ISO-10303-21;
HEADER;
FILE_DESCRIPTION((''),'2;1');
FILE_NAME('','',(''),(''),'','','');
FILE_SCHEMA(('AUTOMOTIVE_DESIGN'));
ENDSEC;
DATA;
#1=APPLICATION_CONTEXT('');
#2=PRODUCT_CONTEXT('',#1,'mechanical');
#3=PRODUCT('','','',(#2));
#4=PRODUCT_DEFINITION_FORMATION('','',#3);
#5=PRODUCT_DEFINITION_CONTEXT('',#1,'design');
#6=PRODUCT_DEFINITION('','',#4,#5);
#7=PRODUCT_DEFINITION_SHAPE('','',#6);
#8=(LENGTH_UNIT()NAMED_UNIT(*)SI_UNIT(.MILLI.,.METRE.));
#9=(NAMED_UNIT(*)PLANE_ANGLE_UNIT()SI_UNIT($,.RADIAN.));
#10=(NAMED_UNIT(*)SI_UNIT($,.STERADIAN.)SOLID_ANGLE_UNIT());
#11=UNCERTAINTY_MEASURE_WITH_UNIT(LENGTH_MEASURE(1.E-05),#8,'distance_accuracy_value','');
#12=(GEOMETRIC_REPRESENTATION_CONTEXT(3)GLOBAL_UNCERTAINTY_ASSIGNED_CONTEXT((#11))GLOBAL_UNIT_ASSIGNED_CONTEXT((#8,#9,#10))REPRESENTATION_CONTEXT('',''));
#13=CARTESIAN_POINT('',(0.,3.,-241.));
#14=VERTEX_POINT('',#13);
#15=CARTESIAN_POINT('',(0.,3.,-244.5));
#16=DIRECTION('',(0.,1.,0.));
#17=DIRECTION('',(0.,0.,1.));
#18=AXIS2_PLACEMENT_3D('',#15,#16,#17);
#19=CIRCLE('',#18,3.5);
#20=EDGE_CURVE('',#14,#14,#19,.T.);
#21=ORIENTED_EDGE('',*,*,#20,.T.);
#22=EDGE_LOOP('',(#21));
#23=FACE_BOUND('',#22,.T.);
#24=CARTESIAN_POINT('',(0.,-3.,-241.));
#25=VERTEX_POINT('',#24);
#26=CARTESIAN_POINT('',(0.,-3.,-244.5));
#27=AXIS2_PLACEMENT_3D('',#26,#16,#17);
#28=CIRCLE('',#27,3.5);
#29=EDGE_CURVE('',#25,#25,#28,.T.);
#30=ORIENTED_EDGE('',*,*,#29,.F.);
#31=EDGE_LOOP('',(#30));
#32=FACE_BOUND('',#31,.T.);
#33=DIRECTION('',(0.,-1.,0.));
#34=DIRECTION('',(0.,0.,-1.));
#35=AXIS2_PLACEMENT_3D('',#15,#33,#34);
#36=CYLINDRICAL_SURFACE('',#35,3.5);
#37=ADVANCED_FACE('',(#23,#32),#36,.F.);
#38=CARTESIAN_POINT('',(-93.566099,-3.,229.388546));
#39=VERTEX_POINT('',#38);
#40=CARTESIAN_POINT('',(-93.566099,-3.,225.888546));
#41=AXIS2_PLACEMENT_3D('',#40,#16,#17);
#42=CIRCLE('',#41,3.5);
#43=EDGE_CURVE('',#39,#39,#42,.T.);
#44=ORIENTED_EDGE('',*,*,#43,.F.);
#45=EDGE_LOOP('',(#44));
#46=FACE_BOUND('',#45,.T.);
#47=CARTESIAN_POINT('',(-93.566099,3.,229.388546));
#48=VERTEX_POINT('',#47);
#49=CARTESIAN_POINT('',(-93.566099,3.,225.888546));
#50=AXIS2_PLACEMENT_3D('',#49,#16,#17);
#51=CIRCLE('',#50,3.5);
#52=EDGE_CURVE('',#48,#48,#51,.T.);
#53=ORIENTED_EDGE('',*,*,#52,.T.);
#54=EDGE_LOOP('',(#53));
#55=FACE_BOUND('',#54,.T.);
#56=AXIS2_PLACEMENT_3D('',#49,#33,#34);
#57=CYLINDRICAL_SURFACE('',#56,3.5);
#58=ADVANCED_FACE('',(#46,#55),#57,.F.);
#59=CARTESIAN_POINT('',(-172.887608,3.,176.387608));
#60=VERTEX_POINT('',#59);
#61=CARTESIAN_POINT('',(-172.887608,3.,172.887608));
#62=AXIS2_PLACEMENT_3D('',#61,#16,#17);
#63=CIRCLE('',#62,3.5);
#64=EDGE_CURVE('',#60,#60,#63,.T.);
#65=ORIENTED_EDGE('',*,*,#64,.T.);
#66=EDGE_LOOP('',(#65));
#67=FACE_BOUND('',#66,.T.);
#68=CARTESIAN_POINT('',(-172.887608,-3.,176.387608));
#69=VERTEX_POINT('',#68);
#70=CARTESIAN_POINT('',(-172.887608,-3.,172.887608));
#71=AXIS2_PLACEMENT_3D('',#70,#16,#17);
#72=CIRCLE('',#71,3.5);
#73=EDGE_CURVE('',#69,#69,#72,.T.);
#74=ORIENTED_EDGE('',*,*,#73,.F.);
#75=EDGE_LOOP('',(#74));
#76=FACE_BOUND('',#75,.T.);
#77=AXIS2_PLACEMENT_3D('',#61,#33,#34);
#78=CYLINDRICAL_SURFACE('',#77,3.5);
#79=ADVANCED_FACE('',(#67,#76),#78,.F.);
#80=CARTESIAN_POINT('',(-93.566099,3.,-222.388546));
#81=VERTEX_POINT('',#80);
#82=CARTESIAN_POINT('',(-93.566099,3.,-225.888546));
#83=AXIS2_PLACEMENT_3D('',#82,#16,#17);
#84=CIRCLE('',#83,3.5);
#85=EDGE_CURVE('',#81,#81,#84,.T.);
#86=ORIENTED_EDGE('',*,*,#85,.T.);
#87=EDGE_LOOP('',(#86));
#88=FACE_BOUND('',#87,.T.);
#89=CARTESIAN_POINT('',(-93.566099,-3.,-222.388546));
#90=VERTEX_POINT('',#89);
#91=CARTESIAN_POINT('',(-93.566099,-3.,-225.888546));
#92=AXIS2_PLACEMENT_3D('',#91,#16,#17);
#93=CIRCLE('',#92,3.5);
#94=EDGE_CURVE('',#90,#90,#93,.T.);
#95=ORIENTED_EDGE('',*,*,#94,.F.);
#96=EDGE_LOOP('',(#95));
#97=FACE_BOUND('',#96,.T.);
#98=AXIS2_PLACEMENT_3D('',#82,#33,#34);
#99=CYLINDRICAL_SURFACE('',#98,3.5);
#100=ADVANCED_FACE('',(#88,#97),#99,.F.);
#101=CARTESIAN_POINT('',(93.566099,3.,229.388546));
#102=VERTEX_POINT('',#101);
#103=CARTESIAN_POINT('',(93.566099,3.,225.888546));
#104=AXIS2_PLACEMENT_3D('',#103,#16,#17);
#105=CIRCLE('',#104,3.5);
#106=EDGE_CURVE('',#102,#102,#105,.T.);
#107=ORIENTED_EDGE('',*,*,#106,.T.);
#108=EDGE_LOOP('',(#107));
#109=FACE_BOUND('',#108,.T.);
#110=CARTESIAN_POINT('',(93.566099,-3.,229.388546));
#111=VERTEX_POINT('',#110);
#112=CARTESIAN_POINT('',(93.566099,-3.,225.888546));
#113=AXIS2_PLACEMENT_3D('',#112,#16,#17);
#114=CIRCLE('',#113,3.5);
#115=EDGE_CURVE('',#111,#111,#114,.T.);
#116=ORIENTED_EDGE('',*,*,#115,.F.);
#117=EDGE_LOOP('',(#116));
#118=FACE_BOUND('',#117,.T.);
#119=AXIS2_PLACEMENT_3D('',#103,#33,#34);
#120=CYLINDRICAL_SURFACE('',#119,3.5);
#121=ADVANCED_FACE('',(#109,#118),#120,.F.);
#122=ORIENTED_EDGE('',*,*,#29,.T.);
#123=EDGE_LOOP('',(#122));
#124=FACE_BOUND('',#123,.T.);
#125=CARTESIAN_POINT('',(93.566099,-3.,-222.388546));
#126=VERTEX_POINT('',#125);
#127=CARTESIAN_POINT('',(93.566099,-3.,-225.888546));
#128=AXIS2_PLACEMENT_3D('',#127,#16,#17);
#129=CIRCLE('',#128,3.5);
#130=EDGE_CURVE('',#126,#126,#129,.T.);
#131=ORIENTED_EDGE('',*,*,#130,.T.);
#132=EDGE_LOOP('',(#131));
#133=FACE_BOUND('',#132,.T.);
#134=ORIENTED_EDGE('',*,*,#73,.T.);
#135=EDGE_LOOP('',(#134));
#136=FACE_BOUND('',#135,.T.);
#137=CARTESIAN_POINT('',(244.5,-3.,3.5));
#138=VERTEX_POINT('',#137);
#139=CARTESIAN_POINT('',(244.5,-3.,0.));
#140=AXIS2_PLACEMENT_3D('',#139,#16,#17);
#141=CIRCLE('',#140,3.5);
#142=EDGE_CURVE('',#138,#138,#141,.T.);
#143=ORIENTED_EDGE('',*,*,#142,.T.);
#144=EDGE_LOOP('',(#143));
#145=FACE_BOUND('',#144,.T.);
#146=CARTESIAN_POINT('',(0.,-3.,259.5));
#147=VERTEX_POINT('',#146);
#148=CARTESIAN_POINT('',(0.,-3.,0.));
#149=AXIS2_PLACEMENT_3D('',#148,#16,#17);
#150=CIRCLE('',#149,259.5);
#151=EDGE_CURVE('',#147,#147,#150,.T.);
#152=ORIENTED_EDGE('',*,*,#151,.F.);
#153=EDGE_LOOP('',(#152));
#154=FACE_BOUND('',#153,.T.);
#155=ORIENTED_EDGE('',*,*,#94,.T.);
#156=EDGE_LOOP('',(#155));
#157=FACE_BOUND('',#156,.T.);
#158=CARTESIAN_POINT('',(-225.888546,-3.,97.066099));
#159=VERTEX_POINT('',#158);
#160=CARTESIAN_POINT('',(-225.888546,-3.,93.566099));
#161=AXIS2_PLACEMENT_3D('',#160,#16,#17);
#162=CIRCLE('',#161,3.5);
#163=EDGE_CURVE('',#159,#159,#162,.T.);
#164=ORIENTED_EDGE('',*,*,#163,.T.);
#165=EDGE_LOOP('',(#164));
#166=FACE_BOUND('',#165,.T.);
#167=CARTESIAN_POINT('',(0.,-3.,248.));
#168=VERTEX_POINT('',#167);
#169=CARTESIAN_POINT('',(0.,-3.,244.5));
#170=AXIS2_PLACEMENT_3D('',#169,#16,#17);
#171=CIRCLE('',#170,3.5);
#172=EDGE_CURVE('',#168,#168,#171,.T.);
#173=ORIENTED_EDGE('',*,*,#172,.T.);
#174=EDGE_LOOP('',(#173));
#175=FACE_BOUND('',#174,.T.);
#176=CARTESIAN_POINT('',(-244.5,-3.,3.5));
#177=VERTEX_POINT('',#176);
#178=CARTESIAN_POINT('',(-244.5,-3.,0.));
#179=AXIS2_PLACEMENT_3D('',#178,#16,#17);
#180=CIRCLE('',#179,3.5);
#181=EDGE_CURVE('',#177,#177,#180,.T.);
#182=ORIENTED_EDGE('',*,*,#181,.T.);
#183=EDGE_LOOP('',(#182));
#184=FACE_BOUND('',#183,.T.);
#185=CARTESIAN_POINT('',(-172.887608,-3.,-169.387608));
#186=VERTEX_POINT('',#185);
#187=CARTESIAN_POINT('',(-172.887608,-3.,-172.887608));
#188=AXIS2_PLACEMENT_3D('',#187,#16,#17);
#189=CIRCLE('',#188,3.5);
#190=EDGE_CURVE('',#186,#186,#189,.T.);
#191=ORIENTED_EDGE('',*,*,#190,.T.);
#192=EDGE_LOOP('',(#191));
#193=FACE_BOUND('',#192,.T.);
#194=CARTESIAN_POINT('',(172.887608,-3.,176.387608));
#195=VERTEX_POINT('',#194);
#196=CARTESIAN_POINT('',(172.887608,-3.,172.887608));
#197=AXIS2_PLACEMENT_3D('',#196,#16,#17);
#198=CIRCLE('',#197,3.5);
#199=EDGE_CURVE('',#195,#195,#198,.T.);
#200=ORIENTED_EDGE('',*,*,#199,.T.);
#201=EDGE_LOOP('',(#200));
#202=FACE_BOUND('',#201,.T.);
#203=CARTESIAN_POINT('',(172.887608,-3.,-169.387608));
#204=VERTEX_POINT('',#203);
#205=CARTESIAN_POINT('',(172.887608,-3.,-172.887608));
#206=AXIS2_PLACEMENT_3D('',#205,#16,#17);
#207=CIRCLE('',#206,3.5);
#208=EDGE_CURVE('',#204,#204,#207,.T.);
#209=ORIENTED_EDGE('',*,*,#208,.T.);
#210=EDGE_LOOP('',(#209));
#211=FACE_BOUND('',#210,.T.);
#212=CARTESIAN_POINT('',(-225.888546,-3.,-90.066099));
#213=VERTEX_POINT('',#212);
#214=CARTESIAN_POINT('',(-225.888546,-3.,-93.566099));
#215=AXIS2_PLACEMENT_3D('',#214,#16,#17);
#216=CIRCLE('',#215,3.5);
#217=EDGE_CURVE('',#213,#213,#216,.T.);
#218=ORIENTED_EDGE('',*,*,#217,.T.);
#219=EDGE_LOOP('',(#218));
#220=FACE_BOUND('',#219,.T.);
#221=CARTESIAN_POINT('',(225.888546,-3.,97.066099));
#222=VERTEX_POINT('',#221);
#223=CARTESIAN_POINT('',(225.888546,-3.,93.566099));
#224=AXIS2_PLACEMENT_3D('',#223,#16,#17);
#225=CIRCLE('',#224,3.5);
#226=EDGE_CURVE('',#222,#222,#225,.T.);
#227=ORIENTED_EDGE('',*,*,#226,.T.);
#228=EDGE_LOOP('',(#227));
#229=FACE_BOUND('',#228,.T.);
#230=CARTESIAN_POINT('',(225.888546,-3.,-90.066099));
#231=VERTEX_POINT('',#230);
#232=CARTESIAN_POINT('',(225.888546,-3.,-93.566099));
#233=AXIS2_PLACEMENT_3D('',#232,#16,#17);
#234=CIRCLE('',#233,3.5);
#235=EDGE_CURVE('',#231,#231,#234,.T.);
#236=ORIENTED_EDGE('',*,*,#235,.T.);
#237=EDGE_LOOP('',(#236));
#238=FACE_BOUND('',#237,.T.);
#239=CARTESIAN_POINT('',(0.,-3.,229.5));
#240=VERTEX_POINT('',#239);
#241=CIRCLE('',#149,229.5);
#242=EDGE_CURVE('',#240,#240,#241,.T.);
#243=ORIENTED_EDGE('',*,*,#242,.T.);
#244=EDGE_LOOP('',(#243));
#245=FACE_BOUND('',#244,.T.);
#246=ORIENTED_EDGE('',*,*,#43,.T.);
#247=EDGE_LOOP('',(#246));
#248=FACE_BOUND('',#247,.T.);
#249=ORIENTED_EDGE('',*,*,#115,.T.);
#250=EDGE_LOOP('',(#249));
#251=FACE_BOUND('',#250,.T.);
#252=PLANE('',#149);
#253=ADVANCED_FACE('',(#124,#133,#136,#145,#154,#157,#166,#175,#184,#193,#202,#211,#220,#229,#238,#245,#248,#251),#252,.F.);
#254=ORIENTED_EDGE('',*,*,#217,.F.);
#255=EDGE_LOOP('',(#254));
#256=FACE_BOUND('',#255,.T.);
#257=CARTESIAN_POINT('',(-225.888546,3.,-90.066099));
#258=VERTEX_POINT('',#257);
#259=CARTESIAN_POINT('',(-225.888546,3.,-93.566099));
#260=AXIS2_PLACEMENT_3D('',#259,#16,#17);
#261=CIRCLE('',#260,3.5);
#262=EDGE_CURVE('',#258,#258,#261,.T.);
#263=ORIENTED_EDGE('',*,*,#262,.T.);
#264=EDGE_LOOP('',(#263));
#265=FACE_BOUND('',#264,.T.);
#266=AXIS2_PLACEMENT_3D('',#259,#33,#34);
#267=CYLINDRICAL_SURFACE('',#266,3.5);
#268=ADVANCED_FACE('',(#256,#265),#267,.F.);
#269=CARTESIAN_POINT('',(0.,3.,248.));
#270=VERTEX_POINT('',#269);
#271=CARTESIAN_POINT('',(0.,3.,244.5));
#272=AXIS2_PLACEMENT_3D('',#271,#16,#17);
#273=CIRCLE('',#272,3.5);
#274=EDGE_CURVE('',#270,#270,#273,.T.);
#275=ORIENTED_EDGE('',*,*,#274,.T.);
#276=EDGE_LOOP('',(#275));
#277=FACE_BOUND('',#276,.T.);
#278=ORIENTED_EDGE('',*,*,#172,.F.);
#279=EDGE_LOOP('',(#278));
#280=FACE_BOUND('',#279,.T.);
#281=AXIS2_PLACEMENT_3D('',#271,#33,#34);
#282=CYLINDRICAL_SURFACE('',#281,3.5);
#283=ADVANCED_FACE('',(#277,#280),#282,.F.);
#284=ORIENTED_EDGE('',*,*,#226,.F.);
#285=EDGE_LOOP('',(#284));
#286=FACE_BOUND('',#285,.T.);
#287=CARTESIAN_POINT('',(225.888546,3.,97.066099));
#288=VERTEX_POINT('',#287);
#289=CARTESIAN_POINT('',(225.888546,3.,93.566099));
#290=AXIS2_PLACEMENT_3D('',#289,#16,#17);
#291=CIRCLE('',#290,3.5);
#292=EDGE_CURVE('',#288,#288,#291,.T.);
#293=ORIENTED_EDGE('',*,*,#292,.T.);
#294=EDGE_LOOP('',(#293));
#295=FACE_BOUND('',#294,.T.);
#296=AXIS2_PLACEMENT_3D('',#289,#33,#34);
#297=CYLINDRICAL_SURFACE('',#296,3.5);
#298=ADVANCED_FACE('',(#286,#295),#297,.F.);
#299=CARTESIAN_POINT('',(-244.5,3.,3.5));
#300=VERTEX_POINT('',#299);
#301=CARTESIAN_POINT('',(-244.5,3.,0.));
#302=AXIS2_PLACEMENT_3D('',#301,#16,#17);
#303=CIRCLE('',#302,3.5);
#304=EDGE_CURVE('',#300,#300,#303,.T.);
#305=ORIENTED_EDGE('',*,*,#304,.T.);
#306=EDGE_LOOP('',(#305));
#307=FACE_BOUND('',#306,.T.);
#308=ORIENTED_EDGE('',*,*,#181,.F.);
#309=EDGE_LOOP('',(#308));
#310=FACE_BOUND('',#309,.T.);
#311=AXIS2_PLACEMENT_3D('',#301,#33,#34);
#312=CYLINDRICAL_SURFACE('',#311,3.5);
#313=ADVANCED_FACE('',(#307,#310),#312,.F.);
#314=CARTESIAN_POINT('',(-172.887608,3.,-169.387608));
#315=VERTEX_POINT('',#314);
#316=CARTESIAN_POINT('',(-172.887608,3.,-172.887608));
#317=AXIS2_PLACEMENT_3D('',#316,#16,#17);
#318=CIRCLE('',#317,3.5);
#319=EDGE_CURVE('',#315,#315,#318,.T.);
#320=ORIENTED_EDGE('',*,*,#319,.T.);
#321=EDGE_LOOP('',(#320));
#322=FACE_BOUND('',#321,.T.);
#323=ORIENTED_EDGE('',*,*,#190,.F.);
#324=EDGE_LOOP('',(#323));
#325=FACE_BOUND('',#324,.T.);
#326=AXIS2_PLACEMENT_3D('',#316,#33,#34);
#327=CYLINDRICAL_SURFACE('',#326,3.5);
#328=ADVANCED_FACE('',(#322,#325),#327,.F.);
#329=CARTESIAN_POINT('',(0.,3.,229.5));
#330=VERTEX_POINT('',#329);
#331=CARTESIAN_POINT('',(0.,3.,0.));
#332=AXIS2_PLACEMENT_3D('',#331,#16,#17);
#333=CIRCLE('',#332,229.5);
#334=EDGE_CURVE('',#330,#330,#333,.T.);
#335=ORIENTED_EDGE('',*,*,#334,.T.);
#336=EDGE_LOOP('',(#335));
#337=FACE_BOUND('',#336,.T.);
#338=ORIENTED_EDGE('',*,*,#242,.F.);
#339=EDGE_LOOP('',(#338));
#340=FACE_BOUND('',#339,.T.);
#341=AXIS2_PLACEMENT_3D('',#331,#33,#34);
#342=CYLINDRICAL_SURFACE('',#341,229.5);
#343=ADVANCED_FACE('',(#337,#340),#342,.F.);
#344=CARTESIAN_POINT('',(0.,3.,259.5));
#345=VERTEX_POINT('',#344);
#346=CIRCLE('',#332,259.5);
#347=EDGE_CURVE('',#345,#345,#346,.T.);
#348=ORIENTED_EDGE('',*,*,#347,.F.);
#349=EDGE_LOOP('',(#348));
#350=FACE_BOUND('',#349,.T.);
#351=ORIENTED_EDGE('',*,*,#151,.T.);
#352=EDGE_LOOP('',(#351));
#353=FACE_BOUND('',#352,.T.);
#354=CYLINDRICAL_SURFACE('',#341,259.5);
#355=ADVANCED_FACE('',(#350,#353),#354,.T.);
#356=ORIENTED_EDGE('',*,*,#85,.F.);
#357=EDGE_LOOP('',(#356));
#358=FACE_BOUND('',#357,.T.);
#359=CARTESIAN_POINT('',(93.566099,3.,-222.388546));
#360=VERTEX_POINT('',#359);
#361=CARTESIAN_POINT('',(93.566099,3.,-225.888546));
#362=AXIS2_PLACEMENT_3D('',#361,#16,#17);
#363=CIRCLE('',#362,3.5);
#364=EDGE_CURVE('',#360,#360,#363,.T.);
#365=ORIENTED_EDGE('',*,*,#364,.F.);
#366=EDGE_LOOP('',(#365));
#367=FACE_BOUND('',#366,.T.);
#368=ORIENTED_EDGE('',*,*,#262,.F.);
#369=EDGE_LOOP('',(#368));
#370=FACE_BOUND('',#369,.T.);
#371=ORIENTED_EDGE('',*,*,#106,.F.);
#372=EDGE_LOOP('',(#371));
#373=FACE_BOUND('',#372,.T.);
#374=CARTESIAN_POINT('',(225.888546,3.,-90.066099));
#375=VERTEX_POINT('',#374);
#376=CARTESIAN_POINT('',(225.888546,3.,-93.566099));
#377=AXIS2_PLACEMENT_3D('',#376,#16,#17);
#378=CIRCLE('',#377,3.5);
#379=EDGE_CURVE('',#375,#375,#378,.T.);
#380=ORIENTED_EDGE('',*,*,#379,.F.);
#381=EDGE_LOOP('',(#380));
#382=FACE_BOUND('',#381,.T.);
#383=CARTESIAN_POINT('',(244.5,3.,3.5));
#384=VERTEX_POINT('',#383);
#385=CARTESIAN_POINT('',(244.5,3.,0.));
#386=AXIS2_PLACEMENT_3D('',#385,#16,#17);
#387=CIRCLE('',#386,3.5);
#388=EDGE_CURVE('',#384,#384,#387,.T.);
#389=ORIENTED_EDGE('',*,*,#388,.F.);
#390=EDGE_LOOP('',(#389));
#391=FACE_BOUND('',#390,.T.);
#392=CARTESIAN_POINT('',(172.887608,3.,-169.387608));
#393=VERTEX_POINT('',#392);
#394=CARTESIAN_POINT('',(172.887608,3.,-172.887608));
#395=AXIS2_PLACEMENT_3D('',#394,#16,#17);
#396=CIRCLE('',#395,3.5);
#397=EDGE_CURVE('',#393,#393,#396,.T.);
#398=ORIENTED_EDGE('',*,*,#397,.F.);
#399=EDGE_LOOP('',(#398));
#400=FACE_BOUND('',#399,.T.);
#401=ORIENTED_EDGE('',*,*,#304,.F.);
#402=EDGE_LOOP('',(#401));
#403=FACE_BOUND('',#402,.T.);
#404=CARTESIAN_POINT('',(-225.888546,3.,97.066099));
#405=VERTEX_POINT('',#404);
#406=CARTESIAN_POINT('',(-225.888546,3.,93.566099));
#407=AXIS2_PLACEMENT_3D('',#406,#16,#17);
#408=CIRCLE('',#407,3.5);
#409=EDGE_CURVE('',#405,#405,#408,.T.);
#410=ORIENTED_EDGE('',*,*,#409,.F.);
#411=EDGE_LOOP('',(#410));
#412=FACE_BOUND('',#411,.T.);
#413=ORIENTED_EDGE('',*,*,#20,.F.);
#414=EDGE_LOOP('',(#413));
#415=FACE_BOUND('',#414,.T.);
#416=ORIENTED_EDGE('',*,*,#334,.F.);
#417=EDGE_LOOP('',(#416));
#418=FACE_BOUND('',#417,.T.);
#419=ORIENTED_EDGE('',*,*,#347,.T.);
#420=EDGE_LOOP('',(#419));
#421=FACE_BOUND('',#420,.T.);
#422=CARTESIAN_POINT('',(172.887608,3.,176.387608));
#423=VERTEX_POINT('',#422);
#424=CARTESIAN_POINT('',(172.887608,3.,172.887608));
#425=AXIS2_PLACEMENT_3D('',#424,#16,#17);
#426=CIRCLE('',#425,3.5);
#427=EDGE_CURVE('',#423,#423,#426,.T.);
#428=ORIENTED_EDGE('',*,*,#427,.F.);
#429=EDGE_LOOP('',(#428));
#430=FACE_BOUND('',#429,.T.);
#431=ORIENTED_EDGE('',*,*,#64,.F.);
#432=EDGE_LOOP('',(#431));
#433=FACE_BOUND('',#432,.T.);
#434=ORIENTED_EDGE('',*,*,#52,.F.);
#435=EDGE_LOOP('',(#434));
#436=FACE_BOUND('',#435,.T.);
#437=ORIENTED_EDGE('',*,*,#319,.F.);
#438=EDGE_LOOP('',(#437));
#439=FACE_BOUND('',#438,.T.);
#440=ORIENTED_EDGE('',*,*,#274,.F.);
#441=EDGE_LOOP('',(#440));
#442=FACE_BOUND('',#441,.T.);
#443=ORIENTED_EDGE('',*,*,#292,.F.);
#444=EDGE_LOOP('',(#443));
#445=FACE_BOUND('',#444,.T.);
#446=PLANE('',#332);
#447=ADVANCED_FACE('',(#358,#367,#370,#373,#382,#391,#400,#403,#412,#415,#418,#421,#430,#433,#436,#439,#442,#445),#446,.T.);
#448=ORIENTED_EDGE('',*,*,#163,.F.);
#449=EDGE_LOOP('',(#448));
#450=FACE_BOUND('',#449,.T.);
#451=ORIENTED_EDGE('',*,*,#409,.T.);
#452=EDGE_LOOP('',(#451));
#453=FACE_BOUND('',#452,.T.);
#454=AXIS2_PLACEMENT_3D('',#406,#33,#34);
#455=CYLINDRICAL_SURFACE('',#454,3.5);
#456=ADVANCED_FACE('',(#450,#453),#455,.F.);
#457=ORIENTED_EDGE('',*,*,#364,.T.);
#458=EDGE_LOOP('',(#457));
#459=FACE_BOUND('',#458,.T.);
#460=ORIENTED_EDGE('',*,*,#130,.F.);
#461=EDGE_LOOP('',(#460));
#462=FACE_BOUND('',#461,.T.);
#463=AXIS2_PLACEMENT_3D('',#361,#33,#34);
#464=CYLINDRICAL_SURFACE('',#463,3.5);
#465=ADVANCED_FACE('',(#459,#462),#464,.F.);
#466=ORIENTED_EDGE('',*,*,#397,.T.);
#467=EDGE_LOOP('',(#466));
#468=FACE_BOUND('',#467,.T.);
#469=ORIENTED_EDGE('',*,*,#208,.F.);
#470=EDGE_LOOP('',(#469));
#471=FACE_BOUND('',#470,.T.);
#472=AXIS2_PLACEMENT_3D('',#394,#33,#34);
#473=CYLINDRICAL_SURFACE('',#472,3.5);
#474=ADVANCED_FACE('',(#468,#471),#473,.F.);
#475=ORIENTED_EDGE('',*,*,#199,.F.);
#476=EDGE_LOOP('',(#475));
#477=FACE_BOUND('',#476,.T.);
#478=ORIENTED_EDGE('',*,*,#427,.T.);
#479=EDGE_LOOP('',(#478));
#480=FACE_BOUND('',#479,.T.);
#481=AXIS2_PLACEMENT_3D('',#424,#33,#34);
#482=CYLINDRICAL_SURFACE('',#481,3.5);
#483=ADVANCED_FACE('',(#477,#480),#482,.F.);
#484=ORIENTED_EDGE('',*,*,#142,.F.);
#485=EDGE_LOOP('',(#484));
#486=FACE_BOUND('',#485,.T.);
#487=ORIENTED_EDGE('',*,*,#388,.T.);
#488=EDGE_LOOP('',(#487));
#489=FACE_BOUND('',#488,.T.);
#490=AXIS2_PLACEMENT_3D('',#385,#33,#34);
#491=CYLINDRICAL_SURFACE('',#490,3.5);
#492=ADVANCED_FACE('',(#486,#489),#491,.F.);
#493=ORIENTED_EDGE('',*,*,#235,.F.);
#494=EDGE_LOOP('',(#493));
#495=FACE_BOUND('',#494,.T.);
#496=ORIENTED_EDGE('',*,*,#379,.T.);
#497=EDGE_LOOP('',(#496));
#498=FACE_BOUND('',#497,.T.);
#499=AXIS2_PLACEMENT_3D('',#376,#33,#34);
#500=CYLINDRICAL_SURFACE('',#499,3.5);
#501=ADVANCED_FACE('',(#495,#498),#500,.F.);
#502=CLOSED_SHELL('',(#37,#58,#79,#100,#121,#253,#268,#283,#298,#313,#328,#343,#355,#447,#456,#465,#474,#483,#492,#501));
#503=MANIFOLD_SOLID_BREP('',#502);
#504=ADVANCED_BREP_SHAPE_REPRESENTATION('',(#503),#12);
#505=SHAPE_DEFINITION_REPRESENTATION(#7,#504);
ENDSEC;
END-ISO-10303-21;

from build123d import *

# Parameters (mm, degrees)
SCHIZZO1_R                   = 259.5
SCHIZZO1_R_2                 = 229.5
SCHIZZO1_R_3                 = 3.5
ESTRUSIONE_ESTRUSIONE1_DEPTH = 3


with BuildPart() as part:
    # Schizzo1 → Estrusione-Estrusione1 (new, symmetric)
    with BuildSketch(Plane(origin=(0, 0, 0), x_dir=(1, 0, 0), z_dir=(0, 1, 0))):
        Circle(SCHIZZO1_R)
        Circle(SCHIZZO1_R_2, mode=Mode.SUBTRACT)
        with Locations((0, 244.5)):
            Circle(SCHIZZO1_R_3, mode=Mode.SUBTRACT)
        with Locations((93.566099213, 225.888545699)):
            Circle(SCHIZZO1_R_3, mode=Mode.SUBTRACT)
        with Locations((172.887608, 172.887608)):
            Circle(SCHIZZO1_R_3, mode=Mode.SUBTRACT)
        with Locations((225.888545699, 93.566099213)):
            Circle(SCHIZZO1_R_3, mode=Mode.SUBTRACT)
        with Locations((244.5, 0)):
            Circle(SCHIZZO1_R_3, mode=Mode.SUBTRACT)
        with Locations((225.888545699, -93.566099213)):
            Circle(SCHIZZO1_R_3, mode=Mode.SUBTRACT)
        with Locations((172.887608, -172.887608)):
            Circle(SCHIZZO1_R_3, mode=Mode.SUBTRACT)
        with Locations((93.566099213, -225.888545699)):
            Circle(SCHIZZO1_R_3, mode=Mode.SUBTRACT)
        with Locations((0, -244.5)):
            Circle(SCHIZZO1_R_3, mode=Mode.SUBTRACT)
        with Locations((-93.566099213, -225.888545699)):
            Circle(SCHIZZO1_R_3, mode=Mode.SUBTRACT)
        with Locations((-172.887608, -172.887608)):
            Circle(SCHIZZO1_R_3, mode=Mode.SUBTRACT)
        with Locations((-225.888545699, -93.566099213)):
            Circle(SCHIZZO1_R_3, mode=Mode.SUBTRACT)
        with Locations((-244.5, 0)):
            Circle(SCHIZZO1_R_3, mode=Mode.SUBTRACT)
        with Locations((-225.888545699, 93.566099213)):
            Circle(SCHIZZO1_R_3, mode=Mode.SUBTRACT)
        with Locations((-172.887608, 172.887608)):
            Circle(SCHIZZO1_R_3, mode=Mode.SUBTRACT)
        with Locations((-93.566099213, 225.888545699)):
            Circle(SCHIZZO1_R_3, mode=Mode.SUBTRACT)
    extrude(amount=ESTRUSIONE_ESTRUSIONE1_DEPTH, both=True)


solid = part.part
